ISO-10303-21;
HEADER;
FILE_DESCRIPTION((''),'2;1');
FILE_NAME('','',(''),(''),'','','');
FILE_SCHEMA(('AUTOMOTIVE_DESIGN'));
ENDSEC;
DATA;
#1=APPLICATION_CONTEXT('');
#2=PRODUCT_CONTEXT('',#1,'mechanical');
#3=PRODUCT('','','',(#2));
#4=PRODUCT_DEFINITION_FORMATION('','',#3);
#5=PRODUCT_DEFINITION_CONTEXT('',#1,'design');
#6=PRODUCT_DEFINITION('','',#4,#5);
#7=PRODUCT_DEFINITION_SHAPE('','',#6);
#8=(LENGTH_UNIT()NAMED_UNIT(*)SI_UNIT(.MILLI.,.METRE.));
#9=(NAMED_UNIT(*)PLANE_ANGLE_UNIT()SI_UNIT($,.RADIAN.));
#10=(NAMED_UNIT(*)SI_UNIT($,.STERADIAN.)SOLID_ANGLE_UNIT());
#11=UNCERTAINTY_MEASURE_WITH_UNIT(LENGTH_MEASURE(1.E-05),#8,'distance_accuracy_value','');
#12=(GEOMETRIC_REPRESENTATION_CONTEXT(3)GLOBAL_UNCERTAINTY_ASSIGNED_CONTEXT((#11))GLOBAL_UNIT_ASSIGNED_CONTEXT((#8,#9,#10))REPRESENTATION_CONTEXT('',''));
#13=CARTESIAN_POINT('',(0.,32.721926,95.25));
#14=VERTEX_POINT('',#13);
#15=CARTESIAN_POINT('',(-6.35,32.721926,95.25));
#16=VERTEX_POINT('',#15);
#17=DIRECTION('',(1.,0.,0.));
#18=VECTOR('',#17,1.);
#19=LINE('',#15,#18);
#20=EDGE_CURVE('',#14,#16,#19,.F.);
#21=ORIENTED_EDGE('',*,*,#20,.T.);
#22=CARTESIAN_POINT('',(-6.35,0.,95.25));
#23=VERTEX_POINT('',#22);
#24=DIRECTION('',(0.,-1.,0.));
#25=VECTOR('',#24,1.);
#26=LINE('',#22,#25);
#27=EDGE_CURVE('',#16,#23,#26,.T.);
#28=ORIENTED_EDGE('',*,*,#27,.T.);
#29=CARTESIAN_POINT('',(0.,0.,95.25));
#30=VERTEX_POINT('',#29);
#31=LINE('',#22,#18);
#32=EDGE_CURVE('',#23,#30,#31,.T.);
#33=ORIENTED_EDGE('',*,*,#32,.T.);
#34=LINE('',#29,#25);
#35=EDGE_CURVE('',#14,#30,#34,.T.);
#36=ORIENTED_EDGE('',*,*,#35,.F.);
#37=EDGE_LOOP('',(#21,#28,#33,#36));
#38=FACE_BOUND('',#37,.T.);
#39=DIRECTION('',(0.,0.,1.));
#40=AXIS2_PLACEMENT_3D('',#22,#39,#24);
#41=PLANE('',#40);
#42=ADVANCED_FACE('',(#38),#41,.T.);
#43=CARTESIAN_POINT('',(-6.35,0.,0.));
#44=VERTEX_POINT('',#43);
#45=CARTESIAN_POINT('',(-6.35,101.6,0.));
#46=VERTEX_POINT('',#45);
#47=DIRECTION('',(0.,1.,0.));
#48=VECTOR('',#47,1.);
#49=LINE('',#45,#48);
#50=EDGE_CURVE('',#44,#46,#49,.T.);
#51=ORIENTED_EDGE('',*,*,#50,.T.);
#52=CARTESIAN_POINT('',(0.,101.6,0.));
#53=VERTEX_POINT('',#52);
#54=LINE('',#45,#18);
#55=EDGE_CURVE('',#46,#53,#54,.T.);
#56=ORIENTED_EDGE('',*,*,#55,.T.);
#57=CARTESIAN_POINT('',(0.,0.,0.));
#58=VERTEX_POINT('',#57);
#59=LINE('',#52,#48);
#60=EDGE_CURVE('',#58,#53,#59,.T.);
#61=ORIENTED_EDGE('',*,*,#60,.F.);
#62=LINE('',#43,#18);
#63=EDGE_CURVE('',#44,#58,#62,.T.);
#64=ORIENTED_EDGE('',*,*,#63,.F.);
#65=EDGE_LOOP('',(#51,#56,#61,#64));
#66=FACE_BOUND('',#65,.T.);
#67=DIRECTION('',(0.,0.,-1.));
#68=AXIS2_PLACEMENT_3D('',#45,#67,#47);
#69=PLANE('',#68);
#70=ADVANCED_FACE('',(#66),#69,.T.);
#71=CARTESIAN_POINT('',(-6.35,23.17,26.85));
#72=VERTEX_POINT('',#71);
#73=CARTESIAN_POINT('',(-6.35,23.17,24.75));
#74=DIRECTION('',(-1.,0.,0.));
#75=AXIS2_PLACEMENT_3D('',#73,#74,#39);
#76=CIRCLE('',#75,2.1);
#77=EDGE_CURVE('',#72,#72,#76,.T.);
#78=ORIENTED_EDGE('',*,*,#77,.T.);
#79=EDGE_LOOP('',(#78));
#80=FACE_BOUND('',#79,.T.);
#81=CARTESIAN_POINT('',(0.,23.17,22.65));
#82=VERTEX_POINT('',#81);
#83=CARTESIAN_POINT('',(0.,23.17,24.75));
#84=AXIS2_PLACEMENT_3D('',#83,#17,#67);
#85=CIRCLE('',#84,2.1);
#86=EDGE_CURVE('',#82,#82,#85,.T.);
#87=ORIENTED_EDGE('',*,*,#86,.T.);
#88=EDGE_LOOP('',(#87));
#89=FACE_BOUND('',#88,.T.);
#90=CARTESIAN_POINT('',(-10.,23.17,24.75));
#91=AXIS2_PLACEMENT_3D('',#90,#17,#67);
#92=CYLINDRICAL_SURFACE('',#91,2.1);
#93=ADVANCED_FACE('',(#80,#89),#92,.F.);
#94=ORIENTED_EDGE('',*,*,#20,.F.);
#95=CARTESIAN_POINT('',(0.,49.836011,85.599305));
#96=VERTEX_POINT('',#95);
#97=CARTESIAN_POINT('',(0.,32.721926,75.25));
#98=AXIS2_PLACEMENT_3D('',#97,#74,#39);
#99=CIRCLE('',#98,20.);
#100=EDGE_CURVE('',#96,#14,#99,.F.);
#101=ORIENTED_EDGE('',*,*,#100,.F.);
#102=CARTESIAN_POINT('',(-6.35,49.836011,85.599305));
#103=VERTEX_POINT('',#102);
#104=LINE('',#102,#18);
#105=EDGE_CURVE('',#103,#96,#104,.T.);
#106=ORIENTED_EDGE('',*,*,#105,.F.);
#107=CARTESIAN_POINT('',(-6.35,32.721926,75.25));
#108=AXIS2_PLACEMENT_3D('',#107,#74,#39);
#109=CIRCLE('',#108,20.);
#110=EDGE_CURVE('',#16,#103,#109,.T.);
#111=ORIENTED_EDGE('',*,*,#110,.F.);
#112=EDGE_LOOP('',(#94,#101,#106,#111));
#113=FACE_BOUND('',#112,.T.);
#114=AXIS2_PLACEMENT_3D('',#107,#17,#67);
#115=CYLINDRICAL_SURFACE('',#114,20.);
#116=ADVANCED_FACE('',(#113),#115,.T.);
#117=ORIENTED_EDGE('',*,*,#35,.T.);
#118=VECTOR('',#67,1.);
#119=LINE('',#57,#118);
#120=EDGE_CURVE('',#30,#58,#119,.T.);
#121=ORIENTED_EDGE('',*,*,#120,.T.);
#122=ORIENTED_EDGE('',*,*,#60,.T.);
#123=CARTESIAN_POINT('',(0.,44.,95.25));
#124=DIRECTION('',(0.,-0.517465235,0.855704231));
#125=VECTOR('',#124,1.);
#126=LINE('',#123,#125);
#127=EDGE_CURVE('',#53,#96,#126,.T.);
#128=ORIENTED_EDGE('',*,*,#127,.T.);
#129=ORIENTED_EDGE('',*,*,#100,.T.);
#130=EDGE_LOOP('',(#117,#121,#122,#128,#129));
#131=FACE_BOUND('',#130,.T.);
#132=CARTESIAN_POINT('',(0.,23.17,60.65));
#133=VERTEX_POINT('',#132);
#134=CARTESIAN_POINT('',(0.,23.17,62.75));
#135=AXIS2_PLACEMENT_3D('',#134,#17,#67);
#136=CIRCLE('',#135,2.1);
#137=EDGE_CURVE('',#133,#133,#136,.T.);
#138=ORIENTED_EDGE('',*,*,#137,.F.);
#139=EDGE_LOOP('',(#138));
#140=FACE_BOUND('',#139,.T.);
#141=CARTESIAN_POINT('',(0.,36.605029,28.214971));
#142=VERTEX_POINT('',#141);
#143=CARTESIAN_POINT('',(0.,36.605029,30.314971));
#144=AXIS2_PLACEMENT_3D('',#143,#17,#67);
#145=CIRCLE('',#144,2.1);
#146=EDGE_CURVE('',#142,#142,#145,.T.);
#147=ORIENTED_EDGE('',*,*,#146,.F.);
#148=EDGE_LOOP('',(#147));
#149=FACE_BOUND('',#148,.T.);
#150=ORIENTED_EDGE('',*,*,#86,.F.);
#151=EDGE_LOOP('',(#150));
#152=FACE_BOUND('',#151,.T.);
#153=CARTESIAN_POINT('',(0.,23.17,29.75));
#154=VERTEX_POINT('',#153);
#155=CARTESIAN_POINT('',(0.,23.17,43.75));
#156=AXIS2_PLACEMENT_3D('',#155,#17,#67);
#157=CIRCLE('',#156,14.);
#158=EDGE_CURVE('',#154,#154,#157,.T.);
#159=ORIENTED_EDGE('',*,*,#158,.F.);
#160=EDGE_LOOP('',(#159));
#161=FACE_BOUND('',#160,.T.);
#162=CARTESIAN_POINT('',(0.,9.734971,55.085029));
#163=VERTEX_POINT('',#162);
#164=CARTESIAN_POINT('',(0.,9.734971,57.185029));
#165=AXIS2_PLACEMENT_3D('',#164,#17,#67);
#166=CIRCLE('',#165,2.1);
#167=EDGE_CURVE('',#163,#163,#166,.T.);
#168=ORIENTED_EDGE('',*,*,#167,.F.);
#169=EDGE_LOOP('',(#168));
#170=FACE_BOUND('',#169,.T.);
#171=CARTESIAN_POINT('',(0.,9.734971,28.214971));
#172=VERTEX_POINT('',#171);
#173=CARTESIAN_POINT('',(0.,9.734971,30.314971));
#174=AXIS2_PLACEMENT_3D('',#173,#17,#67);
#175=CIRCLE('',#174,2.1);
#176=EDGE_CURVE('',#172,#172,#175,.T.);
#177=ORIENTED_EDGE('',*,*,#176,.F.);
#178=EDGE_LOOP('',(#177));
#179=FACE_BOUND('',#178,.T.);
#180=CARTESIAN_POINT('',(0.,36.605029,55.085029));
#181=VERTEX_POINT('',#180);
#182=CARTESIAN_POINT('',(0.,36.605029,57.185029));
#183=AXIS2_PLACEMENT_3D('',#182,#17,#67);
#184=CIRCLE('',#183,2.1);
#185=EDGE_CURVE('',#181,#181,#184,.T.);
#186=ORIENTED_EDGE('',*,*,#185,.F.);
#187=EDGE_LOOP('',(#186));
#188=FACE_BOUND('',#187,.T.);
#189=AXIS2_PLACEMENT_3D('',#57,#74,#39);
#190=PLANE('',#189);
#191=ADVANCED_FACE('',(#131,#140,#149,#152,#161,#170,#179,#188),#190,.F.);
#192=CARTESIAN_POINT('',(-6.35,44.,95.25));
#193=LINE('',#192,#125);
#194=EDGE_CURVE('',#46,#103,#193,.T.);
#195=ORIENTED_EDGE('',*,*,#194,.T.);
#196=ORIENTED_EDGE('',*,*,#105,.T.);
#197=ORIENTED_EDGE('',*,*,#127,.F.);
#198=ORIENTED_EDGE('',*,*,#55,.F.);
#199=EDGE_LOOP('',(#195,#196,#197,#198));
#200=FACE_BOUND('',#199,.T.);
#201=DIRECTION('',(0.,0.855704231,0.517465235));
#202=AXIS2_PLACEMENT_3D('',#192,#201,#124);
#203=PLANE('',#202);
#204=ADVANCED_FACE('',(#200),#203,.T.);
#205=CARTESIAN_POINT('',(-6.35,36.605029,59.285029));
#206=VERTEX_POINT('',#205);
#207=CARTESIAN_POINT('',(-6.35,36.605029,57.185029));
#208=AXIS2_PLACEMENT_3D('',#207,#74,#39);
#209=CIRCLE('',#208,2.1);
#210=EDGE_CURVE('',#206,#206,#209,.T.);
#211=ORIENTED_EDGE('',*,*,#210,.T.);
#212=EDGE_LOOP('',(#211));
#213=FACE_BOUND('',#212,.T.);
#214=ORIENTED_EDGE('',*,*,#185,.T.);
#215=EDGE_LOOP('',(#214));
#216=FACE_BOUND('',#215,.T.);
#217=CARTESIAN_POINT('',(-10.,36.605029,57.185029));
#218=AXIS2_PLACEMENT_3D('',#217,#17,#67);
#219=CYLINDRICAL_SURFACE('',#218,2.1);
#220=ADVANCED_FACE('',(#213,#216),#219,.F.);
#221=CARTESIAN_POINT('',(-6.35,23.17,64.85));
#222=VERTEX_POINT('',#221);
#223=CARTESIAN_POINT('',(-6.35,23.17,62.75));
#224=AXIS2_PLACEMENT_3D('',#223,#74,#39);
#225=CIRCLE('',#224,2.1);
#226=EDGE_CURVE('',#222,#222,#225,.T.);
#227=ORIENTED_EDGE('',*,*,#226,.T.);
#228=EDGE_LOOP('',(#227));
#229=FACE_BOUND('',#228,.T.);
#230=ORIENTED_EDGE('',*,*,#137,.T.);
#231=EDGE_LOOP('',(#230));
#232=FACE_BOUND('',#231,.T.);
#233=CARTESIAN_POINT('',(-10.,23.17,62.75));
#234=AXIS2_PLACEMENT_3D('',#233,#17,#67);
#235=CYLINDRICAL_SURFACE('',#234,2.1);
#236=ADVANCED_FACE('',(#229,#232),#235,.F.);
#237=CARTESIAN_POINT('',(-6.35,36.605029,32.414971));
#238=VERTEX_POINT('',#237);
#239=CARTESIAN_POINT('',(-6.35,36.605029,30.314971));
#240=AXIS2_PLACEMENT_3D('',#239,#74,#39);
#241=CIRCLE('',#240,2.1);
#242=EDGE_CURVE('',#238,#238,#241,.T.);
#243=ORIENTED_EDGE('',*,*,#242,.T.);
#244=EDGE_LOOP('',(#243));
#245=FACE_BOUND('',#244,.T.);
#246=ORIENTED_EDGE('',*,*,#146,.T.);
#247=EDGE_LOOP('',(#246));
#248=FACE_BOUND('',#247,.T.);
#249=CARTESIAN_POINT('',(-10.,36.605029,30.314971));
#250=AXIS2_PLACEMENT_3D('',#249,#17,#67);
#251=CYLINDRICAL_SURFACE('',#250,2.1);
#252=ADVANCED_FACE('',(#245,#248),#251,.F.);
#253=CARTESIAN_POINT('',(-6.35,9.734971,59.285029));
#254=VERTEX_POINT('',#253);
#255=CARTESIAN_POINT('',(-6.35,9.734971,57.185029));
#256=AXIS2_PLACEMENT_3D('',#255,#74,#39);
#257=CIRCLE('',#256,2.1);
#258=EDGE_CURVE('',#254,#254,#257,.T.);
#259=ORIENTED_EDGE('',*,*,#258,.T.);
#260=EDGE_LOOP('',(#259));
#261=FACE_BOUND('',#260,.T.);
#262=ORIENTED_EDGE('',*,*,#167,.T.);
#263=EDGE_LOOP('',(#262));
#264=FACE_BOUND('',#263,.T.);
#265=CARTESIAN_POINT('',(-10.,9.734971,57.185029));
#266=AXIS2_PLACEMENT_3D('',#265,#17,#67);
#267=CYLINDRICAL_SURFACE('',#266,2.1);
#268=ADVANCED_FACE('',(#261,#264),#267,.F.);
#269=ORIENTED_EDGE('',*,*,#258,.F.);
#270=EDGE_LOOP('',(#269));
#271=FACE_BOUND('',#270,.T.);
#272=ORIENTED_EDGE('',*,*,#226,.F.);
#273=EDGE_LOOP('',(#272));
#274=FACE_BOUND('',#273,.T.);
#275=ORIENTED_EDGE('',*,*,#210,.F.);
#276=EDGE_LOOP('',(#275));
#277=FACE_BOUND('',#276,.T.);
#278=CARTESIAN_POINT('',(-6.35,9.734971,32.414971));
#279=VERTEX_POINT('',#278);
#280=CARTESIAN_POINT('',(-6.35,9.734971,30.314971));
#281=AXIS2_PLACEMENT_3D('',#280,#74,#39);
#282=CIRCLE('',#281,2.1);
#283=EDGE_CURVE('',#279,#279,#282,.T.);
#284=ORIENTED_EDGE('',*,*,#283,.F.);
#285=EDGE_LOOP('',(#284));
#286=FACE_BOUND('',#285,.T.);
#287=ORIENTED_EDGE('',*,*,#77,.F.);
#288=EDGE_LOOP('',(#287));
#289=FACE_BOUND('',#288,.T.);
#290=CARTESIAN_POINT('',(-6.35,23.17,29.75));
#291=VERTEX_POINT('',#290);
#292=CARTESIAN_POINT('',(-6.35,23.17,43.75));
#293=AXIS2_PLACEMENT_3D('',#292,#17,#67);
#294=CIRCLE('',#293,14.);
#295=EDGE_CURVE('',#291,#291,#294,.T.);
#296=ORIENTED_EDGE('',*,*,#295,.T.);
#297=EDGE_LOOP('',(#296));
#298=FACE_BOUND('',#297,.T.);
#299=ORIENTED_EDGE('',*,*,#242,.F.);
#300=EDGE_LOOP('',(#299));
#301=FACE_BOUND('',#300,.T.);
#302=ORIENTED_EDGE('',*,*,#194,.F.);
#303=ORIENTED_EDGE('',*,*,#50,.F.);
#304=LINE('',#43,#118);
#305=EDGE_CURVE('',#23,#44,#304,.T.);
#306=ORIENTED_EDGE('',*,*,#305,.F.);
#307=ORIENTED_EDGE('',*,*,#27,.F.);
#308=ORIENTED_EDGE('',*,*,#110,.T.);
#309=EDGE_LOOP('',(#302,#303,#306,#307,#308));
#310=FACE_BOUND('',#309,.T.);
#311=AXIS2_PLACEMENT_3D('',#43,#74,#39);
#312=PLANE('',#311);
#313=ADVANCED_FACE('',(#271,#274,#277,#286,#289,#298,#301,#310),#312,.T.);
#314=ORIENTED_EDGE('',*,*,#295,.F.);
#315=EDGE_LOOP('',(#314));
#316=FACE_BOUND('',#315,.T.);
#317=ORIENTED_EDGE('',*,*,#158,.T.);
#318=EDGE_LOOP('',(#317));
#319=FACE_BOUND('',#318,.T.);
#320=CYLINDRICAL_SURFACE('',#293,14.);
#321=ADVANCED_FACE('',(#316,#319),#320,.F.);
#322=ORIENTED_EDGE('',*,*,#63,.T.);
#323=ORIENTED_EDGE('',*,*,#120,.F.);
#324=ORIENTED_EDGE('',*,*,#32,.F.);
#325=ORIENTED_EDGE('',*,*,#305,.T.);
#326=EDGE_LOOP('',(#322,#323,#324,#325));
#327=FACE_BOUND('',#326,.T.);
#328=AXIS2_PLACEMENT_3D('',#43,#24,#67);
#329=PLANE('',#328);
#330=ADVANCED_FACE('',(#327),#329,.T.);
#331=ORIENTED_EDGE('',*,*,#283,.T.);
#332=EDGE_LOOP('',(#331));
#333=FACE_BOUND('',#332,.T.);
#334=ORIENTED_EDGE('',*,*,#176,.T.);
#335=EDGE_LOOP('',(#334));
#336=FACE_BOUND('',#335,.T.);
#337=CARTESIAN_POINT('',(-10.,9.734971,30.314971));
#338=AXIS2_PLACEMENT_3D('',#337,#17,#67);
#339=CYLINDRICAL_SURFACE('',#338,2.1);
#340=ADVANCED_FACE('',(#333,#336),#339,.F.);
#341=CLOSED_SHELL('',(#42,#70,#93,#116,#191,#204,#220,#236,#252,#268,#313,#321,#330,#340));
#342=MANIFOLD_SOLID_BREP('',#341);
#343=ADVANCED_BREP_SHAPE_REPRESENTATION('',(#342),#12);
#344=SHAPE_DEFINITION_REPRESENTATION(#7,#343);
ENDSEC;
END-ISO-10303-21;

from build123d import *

# Parameters (mm, degrees)
BOSS_EXTRUDE1_DEPTH = 6.35
FILLET1_R           = 20
SKETCH2_R           = 14
CUT_EXTRUDE1_DEPTH  = 6.35
SKETCH3_R           = 2.1
CUT_EXTRUDE2_DEPTH  = 10


with BuildPart() as part:
    # Sketch1 → Boss-Extrude1 (new body)
    with BuildSketch(Plane(origin=(0, 0, 0), x_dir=(0, 0, -1), z_dir=(1, 0, 0))):
        Polygon((0, 0), (-95.25, 0), (-95.25, 44), (0, 101.6), align=None)
    extrude(amount=-BOSS_EXTRUDE1_DEPTH)

    # Fillet1
    fillet1_edges = [part.edges().sort_by_distance(p)[0] for p in [
        (-3.175, 44, 95.25),
    ]]
    fillet(fillet1_edges, radius=FILLET1_R)

    # Sketch2 → Cut-Extrude1 (cut)
    with BuildSketch(Plane(origin=(0, 0, 0), x_dir=(0, 0, -1), z_dir=(1, 0, 0))):
        with Locations((-43.75, 23.17)):
            Circle(SKETCH2_R)
    extrude(amount=-CUT_EXTRUDE1_DEPTH, mode=Mode.SUBTRACT)

    # Sketch3 → Cut-Extrude2 (cut)
    with BuildSketch(Plane(origin=(0, 0, 0), x_dir=(0, 0, -1), z_dir=(1, 0, 0))):
        with Locations((-57.185028843, 36.605028843)):
            Circle(SKETCH3_R)
        with Locations((-62.75, 23.17)):
            Circle(SKETCH3_R)
        with Locations((-57.185028843, 9.734971157)):
            Circle(SKETCH3_R)
        with Locations((-30.314971157, 9.734971157)):
            Circle(SKETCH3_R)
        with Locations((-24.75, 23.17)):
            Circle(SKETCH3_R)
        with Locations((-30.314971157, 36.605028843)):
            Circle(SKETCH3_R)
    extrude(amount=-CUT_EXTRUDE2_DEPTH, mode=Mode.SUBTRACT)


solid = part.part
